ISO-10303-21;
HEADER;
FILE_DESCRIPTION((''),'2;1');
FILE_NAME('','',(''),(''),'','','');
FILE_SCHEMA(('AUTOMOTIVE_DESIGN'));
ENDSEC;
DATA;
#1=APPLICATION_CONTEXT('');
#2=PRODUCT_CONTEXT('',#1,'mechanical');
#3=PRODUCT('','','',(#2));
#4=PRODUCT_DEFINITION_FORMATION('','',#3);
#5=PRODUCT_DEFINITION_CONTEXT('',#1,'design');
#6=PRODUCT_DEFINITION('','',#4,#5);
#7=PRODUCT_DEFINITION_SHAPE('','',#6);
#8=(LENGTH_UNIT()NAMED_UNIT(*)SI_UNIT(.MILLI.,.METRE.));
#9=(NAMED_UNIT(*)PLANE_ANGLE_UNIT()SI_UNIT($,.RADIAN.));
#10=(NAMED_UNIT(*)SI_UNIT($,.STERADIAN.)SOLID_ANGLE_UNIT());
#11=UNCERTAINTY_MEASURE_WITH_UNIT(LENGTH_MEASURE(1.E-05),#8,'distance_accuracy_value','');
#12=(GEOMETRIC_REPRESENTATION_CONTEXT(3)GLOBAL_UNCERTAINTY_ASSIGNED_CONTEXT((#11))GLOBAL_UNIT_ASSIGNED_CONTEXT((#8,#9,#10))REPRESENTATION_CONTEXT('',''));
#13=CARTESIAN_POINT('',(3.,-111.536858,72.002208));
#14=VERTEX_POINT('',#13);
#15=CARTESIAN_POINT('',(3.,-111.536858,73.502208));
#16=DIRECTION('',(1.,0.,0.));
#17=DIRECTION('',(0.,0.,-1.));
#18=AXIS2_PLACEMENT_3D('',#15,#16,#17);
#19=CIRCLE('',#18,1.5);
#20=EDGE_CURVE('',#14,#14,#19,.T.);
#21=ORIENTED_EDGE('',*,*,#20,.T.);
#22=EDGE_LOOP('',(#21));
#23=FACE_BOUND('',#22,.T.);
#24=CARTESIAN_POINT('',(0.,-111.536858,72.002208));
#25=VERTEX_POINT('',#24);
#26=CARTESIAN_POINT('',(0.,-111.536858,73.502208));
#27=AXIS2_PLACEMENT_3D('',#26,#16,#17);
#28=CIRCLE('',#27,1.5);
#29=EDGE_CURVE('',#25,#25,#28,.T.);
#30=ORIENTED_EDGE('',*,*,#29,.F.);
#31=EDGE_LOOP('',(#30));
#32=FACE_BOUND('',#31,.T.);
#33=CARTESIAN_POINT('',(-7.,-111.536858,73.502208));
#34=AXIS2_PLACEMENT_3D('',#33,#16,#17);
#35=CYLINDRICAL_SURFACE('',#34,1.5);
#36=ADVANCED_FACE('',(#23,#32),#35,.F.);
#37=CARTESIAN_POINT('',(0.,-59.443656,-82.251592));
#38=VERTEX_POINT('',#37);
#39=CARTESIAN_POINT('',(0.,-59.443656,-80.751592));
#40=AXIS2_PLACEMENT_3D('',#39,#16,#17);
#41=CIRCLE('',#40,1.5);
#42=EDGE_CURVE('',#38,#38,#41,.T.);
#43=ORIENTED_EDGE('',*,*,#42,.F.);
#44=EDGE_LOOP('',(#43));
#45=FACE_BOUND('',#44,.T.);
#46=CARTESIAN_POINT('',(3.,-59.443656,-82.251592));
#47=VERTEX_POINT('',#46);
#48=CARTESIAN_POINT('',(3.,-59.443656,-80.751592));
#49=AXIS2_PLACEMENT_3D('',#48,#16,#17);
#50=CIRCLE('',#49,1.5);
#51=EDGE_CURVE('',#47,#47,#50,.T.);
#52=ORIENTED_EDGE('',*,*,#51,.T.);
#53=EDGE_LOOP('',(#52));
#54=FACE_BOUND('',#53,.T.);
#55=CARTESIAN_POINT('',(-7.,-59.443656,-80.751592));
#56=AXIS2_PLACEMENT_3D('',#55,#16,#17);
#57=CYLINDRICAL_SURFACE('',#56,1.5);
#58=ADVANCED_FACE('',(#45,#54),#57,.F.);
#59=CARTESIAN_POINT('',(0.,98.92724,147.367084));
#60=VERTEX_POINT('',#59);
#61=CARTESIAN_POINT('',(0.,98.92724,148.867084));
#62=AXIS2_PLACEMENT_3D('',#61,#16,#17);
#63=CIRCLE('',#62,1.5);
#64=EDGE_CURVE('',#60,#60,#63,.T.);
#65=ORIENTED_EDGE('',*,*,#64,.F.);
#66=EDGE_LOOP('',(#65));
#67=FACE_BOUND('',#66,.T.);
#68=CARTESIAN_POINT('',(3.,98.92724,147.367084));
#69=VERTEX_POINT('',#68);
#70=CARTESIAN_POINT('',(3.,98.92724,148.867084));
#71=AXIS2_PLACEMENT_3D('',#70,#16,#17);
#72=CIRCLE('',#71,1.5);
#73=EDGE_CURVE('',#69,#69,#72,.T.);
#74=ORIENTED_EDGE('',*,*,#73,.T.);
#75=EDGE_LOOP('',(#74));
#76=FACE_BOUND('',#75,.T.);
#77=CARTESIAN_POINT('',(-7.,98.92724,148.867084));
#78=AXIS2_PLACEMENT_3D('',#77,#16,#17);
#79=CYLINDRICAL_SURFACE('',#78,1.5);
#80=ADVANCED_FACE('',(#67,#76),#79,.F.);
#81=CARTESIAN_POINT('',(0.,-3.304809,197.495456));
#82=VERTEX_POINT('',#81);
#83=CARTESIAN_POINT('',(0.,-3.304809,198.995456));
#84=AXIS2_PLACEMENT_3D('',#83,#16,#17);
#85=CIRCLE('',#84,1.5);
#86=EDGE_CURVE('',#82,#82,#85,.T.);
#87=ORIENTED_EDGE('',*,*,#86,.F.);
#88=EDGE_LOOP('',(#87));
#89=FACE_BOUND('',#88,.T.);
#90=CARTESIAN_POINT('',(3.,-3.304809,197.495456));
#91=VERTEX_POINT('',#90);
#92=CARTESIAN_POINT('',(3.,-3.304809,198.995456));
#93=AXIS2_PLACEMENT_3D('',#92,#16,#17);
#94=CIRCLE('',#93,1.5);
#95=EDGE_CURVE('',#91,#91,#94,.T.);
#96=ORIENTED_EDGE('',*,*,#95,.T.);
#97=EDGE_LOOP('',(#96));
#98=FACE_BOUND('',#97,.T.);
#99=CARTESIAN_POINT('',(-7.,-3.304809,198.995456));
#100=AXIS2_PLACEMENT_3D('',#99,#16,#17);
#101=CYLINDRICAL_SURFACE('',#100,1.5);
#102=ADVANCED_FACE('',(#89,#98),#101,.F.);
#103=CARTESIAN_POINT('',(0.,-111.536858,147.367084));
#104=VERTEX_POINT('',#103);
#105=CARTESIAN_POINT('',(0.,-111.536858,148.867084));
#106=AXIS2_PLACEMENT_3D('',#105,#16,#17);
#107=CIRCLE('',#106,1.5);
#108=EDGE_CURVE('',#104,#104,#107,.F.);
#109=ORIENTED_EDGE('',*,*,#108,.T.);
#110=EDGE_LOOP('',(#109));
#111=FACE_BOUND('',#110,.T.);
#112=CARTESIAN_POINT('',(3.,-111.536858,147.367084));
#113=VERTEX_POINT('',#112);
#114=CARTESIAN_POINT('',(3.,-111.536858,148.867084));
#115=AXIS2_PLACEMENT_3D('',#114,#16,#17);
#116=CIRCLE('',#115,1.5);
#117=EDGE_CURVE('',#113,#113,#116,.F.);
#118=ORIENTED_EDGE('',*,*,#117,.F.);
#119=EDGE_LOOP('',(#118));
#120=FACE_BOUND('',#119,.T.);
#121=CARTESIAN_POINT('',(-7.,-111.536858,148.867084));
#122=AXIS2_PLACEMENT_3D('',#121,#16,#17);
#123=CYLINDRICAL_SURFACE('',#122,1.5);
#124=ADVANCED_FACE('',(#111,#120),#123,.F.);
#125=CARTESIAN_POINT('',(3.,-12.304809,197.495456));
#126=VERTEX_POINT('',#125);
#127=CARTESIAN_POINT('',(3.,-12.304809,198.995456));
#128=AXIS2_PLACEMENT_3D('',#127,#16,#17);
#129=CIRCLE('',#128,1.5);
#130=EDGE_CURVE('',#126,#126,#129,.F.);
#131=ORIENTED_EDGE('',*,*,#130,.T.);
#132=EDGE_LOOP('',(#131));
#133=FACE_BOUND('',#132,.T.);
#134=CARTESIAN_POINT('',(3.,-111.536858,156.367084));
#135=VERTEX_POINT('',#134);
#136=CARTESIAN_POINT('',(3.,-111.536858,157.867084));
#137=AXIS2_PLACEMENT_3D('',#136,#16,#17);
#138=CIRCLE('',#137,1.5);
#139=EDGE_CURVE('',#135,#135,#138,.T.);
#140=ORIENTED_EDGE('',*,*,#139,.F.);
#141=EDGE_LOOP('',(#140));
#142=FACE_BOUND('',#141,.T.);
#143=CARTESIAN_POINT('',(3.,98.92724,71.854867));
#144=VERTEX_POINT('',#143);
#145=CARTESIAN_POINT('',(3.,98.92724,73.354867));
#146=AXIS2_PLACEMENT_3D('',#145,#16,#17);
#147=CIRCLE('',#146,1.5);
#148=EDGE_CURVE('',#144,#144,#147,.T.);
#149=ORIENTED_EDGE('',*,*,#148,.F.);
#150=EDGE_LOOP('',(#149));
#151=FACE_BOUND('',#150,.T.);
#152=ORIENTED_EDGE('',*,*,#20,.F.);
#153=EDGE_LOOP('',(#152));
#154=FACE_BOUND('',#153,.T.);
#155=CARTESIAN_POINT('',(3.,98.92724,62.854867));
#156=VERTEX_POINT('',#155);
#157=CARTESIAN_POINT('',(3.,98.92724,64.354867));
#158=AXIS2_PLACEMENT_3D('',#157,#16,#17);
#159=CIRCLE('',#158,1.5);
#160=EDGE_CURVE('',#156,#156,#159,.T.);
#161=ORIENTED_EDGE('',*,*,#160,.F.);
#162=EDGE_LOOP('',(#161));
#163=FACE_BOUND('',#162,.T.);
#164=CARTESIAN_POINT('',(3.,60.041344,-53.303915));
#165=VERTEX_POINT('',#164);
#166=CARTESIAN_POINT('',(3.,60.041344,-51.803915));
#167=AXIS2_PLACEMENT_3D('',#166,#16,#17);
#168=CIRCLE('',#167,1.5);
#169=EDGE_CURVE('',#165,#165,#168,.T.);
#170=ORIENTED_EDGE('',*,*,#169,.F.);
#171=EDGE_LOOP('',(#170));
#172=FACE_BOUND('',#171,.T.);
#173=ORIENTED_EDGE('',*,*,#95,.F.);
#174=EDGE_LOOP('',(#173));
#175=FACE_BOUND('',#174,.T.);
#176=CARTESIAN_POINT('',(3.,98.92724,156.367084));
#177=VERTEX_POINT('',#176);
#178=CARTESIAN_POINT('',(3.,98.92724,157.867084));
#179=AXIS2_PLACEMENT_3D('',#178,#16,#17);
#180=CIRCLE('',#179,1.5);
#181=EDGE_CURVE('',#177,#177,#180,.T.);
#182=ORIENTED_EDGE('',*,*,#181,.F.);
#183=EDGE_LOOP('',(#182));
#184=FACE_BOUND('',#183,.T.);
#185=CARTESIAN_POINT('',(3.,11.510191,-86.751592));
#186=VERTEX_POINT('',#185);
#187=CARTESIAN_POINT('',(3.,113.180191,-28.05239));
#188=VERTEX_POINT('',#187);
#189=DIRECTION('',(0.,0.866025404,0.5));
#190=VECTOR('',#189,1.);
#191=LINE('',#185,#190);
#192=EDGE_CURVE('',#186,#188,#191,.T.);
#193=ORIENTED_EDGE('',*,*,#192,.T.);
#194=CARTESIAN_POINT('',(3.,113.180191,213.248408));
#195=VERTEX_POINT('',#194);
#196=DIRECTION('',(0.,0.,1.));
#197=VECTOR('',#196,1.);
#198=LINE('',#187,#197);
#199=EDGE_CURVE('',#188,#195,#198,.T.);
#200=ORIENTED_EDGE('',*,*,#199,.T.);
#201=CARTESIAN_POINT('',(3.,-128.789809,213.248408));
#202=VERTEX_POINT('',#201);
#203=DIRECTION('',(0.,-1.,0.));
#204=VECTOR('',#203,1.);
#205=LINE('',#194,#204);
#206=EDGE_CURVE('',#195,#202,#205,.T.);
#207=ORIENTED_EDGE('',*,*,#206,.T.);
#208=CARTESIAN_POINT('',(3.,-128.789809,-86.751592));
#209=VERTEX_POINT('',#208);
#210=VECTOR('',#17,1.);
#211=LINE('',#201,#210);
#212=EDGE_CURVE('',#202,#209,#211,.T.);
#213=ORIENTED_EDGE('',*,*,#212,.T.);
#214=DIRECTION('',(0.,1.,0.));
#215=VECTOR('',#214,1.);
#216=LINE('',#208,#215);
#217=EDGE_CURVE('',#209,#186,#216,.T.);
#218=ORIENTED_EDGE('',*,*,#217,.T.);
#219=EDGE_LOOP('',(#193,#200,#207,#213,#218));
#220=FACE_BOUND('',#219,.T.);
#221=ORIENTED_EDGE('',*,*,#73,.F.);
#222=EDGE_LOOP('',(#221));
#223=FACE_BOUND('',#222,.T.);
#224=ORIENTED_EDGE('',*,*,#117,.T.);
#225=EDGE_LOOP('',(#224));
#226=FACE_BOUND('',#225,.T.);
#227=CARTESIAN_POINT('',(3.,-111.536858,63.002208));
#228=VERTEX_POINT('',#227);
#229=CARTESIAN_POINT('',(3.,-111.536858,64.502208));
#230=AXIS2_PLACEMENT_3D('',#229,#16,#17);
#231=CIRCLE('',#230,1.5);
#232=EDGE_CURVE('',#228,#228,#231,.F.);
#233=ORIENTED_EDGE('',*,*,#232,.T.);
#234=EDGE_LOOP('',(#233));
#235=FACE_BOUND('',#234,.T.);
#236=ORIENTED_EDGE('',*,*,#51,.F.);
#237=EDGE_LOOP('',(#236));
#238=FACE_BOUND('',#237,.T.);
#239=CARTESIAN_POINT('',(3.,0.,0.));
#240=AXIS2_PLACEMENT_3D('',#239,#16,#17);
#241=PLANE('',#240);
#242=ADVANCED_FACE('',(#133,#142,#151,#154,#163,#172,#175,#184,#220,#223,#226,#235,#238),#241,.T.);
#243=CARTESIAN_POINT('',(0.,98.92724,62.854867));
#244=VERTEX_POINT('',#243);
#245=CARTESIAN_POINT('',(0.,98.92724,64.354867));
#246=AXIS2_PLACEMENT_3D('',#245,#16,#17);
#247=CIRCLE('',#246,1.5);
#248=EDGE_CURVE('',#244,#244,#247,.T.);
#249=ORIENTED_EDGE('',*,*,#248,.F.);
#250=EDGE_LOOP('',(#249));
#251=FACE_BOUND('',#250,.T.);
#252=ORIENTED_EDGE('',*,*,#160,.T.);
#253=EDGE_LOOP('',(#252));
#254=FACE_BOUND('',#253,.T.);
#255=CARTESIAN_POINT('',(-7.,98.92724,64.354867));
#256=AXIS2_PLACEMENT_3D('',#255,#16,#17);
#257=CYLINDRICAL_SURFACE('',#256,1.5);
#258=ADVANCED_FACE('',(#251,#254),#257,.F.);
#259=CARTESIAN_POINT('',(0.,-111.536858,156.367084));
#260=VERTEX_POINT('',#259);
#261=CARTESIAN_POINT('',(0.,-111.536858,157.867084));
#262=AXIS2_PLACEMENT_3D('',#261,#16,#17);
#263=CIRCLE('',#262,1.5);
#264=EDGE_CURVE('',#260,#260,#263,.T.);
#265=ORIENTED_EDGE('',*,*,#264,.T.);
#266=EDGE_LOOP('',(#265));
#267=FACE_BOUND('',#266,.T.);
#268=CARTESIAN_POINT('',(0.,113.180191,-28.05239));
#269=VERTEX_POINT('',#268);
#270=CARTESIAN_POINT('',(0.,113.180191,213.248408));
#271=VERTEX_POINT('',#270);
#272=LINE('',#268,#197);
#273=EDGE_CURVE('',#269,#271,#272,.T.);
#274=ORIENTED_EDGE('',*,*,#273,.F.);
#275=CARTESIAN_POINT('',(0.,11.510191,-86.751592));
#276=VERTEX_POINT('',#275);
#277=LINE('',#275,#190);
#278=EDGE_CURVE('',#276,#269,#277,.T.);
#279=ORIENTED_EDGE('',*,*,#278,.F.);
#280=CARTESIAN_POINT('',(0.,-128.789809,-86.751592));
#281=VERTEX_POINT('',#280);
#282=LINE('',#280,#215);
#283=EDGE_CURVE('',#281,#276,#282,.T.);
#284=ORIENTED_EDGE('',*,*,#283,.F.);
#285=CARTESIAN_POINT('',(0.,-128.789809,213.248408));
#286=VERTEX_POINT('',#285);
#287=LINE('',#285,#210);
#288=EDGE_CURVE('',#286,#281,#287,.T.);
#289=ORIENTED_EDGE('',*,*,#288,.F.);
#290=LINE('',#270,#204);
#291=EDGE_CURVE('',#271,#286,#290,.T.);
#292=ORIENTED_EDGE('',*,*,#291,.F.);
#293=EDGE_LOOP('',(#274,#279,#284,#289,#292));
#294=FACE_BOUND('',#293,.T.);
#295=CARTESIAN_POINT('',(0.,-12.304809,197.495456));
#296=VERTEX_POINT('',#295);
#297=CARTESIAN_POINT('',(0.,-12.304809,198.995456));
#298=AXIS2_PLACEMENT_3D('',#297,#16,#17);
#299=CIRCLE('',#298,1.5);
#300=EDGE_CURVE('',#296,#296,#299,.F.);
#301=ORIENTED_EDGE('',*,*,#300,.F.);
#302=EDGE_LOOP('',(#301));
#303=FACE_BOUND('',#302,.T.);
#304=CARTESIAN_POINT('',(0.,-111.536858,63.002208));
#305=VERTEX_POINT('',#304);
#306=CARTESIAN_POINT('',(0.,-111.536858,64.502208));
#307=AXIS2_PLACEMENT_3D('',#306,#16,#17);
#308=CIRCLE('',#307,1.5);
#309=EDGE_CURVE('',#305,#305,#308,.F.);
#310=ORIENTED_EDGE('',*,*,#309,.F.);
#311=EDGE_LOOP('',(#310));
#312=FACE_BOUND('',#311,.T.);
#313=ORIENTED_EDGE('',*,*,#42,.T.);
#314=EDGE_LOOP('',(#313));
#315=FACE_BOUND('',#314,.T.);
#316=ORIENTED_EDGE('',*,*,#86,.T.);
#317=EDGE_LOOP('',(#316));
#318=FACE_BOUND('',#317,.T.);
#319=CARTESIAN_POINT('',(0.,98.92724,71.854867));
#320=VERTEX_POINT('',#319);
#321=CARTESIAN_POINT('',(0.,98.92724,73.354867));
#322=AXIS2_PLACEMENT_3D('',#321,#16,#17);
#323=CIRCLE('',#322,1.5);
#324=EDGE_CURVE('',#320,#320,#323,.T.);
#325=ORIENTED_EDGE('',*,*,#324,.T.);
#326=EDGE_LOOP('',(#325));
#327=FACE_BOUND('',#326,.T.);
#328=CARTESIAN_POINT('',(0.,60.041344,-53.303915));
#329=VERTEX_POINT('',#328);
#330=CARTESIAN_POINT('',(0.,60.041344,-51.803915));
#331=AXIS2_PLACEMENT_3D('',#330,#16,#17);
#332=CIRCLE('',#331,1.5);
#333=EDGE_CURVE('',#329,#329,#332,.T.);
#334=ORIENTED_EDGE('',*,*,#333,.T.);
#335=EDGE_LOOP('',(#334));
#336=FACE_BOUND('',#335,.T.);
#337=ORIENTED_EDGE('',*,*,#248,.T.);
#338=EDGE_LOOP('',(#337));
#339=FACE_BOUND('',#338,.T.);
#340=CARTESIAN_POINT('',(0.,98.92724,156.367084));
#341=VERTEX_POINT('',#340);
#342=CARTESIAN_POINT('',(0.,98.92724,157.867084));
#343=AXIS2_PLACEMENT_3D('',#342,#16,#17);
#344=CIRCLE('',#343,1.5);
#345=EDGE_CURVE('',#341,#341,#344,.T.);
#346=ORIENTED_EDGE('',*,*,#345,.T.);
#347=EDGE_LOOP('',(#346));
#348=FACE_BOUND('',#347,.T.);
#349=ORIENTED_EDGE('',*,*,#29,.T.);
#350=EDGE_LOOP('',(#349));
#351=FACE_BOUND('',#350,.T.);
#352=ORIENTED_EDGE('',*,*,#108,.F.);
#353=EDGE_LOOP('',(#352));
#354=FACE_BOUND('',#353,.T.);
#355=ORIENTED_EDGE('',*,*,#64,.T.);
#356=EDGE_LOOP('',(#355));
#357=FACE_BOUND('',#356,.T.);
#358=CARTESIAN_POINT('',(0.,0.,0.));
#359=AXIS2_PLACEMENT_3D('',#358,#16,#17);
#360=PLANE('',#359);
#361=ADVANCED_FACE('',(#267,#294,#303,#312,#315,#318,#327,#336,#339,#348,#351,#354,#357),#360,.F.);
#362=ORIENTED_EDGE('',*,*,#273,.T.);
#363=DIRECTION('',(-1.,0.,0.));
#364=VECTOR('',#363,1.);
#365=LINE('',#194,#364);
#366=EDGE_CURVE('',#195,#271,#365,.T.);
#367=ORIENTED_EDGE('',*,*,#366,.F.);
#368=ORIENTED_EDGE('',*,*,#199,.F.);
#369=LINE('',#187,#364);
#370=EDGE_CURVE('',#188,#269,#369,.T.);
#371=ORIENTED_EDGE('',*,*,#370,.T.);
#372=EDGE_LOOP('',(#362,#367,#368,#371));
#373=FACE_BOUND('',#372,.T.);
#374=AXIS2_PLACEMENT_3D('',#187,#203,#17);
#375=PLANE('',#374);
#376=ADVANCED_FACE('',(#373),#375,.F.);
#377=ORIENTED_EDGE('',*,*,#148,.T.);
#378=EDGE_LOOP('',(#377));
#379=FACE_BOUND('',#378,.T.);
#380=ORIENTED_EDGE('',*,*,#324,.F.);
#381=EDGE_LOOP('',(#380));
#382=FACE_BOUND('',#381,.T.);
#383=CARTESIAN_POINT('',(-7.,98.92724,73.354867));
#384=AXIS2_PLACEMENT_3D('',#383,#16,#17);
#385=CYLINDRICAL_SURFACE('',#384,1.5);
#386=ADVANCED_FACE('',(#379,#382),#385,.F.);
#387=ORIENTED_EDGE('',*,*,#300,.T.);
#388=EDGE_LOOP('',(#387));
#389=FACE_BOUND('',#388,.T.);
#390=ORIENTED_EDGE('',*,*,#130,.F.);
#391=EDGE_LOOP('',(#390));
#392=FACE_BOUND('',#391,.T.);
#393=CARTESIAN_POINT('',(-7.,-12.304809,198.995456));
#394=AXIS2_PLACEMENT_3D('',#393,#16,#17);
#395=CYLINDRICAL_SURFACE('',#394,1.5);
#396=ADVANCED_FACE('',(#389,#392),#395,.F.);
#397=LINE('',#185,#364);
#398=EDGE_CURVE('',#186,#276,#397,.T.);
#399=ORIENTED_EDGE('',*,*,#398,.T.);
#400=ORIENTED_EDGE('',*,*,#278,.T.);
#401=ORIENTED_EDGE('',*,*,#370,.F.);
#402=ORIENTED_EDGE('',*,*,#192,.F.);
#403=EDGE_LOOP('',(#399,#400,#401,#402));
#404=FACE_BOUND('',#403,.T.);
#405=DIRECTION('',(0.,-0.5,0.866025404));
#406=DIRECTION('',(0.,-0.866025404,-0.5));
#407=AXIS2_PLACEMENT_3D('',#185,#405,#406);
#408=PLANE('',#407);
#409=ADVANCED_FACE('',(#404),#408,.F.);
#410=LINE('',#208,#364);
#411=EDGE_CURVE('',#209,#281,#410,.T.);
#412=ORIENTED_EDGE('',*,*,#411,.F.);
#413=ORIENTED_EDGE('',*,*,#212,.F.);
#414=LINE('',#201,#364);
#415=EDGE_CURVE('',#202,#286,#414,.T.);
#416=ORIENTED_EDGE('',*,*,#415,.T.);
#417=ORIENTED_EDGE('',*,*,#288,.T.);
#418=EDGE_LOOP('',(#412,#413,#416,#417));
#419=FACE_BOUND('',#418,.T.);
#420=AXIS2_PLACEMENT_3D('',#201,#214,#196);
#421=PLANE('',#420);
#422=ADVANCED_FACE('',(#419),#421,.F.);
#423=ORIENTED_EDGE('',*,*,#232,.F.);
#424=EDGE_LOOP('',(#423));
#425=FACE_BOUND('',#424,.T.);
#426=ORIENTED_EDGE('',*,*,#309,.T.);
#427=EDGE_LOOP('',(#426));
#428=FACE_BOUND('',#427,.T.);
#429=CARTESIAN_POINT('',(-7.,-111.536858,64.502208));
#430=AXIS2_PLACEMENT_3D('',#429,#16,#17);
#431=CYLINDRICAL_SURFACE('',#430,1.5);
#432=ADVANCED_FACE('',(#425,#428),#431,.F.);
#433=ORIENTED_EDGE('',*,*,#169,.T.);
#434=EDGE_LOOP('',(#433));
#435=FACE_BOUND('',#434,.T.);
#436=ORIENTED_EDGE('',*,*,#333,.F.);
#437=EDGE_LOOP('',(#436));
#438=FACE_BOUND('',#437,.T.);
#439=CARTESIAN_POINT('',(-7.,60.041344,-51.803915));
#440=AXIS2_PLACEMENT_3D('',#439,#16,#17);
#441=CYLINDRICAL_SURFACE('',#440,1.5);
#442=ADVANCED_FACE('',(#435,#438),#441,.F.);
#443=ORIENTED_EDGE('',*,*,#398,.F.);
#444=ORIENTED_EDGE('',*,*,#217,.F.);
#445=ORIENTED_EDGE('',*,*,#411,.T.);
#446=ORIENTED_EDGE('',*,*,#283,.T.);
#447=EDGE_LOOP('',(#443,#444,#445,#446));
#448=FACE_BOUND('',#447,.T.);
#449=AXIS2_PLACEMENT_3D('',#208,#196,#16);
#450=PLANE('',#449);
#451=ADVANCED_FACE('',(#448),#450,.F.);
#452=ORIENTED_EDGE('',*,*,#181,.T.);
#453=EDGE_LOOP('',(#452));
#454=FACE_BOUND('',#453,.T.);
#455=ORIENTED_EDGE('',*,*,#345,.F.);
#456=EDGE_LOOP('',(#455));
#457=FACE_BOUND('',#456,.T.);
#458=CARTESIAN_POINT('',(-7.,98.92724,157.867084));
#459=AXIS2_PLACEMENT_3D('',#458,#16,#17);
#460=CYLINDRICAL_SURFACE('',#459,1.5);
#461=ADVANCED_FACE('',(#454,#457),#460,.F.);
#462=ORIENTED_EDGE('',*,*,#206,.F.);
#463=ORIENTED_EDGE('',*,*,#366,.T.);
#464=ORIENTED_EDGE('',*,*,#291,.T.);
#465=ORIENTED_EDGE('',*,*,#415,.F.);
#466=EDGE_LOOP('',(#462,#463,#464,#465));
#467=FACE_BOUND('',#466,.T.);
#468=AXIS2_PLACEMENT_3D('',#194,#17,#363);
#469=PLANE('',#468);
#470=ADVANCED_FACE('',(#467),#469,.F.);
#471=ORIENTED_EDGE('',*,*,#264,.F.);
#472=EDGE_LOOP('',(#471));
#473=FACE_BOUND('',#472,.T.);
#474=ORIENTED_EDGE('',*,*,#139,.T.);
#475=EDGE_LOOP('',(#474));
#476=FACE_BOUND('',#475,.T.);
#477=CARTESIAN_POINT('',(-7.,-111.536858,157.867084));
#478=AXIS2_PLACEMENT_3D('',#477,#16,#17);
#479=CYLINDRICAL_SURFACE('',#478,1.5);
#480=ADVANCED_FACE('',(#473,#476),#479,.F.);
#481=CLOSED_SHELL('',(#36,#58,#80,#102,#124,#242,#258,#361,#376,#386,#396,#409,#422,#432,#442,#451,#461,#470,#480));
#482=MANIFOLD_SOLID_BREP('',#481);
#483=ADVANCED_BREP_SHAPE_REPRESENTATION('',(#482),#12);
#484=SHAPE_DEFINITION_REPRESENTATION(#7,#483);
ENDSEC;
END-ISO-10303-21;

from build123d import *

# Parameters (mm, degrees)
BOSS_EXTRUDE1_DEPTH = 3
SKETCH2_R           = 1.5
CUT_EXTRUDE1_DEPTH  = 10
CUT_EXTRUDE2_DEPTH  = 10


with BuildPart() as part:
    # Sketch1 → Boss-Extrude1 (new body)
    with BuildSketch(Plane(origin=(0, 0, 0), x_dir=(0, 0, -1), z_dir=(1, 0, 0))):
        Polygon((-213.248407643, 113.180191083), (-213.248407643, -128.789808917), (86.751592357, -128.789808917), (86.751592357, 11.510191083), (28.052390488, 113.180191083), align=None)
    extrude(amount=BOSS_EXTRUDE1_DEPTH)

    # Sketch2 → Cut-Extrude1 (cut)
    with BuildSketch(Plane(origin=(3, 0, 0), x_dir=(0, 0, -1), z_dir=(1, 0, 0))):
        with Locations((-157.867084277, -111.53685774)):
            Circle(SKETCH2_R)
        with Locations((-148.867084277, -111.53685774)):
            Circle(SKETCH2_R)
        with Locations((-73.502207501, -111.53685774)):
            Circle(SKETCH2_R)
        with Locations((-64.502207501, -111.53685774)):
            Circle(SKETCH2_R)
        with Locations((-64.354867412, 98.927239906)):
            Circle(SKETCH2_R)
        with Locations((-73.354867412, 98.927239906)):
            Circle(SKETCH2_R)
        with Locations((-148.867084277, 98.927239906)):
            Circle(SKETCH2_R)
        with Locations((-157.867084277, 98.927239906)):
            Circle(SKETCH2_R)
        with Locations((-198.995456466, -3.304808917)):
            Circle(SKETCH2_R)
        with Locations((-198.995456466, -12.304808917)):
            Circle(SKETCH2_R)
    extrude(amount=-CUT_EXTRUDE1_DEPTH, mode=Mode.SUBTRACT)

    # Sketch3 → Cut-Extrude2 (cut)
    with BuildSketch(Plane(origin=(3, 0, 0), x_dir=(0, 0, -1), z_dir=(1, 0, 0))):
        with BuildLine():
            ThreePointArc((80.751592357, -57.943656494), (79.251592357, -59.443656494), (80.751592357, -60.943656494))
            Line((80.751592357, -60.943656494), (80.751592357, -57.943656494))
        make_face()
        with BuildLine():
            Line((80.751592357, -57.943656494), (80.751592357, -60.943656494))
            ThreePointArc((80.751592357, -60.943656494), (81.812252528, -60.504316666), (82.251592357, -59.443656494))
            ThreePointArc((82.251592357, -59.443656494), (81.812252528, -58.382996323), (80.751592357, -57.943656494))
        make_face()
        with BuildLine():
            ThreePointArc((51.053915211, 61.340381611), (50.504877105, 59.291343506), (52.553915211, 58.7423054))
            Line((52.553915211, 58.7423054), (51.053915211, 61.340381611))
        make_face()
        with BuildLine():
            Line((51.053915211, 61.340381611), (52.553915211, 58.7423054))
            ThreePointArc((52.553915211, 58.7423054), (53.102953317, 59.291343506), (53.303915211, 60.041343506))
            ThreePointArc((53.303915211, 60.041343506), (52.553915211, 61.340381611), (51.053915211, 61.340381611))
        make_face()
    extrude(amount=-CUT_EXTRUDE2_DEPTH, mode=Mode.SUBTRACT)


solid = part.part
